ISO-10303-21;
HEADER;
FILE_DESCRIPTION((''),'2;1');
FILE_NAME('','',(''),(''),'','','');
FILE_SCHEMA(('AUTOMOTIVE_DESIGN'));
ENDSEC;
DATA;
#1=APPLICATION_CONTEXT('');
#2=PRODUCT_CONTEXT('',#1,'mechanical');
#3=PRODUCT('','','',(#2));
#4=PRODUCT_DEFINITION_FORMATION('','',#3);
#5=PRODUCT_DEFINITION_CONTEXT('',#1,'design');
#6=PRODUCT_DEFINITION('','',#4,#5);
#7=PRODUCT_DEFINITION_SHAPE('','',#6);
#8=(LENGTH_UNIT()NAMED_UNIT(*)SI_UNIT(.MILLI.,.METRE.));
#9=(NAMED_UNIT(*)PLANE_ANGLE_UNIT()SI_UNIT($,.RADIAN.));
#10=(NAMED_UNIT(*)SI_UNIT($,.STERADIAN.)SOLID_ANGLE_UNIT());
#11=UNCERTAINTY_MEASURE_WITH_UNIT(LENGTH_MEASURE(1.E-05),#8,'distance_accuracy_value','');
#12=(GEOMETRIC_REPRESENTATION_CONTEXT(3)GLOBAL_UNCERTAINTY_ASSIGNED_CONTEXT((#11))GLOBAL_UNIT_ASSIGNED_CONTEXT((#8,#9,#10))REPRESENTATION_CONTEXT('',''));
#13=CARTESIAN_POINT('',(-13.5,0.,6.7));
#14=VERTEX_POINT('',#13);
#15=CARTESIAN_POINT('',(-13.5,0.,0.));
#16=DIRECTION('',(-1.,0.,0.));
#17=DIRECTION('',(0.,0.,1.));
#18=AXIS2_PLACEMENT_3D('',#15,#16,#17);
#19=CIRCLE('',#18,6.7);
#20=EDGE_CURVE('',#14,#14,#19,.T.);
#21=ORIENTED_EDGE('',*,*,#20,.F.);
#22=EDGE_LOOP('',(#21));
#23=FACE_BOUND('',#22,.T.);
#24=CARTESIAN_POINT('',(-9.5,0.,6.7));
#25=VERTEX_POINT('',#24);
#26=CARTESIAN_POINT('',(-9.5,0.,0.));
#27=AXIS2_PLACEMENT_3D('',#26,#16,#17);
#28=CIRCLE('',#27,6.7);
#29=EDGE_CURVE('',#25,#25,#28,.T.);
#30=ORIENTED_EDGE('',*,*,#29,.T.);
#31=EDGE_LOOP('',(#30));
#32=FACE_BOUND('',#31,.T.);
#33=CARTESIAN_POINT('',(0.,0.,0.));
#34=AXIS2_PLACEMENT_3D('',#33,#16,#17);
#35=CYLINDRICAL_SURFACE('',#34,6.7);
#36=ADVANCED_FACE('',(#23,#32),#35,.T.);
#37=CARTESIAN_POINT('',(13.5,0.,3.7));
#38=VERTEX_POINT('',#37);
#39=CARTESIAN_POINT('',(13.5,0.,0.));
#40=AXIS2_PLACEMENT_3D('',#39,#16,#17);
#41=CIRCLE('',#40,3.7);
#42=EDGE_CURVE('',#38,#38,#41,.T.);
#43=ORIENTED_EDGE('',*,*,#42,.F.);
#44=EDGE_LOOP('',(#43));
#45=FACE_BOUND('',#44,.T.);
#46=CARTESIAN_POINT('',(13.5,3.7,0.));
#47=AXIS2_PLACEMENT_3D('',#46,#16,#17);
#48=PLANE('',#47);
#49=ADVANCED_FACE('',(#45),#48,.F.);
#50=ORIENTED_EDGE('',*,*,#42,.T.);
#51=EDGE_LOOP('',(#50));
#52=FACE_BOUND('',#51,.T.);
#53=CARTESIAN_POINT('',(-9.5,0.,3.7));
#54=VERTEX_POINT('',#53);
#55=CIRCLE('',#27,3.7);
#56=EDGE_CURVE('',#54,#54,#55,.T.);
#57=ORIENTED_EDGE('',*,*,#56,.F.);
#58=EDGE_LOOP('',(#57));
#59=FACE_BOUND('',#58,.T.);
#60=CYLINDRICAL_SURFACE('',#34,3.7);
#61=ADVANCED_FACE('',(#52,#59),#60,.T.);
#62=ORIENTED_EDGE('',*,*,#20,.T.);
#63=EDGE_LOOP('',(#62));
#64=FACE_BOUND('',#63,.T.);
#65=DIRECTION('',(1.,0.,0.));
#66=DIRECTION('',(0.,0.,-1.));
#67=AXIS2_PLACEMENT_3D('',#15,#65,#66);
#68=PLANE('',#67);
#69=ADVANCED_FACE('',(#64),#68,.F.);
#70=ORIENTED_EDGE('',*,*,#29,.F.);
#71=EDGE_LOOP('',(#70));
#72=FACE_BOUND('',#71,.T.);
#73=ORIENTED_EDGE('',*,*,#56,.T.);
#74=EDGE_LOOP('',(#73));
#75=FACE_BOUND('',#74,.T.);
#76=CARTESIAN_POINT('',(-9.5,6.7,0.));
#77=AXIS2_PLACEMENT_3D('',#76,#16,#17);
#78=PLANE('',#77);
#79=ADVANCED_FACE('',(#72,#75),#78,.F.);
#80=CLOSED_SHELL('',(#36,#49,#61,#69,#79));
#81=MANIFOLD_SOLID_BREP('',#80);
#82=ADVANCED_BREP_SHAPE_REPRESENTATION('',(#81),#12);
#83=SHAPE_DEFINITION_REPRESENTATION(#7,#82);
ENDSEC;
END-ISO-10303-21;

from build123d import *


with BuildPart() as part:
    # Sketch1 → Revolve1 (revolve)
    with BuildSketch(Plane.XY):
        Polygon((-13.5, 0), (-13.5, 6.7), (-9.5, 6.7), (-9.5, 3.7), (13.5, 3.7), (13.5, 0), align=None)
    revolve(axis=Axis((0, 0, 0), (1, 0, 0)))


solid = part.part
